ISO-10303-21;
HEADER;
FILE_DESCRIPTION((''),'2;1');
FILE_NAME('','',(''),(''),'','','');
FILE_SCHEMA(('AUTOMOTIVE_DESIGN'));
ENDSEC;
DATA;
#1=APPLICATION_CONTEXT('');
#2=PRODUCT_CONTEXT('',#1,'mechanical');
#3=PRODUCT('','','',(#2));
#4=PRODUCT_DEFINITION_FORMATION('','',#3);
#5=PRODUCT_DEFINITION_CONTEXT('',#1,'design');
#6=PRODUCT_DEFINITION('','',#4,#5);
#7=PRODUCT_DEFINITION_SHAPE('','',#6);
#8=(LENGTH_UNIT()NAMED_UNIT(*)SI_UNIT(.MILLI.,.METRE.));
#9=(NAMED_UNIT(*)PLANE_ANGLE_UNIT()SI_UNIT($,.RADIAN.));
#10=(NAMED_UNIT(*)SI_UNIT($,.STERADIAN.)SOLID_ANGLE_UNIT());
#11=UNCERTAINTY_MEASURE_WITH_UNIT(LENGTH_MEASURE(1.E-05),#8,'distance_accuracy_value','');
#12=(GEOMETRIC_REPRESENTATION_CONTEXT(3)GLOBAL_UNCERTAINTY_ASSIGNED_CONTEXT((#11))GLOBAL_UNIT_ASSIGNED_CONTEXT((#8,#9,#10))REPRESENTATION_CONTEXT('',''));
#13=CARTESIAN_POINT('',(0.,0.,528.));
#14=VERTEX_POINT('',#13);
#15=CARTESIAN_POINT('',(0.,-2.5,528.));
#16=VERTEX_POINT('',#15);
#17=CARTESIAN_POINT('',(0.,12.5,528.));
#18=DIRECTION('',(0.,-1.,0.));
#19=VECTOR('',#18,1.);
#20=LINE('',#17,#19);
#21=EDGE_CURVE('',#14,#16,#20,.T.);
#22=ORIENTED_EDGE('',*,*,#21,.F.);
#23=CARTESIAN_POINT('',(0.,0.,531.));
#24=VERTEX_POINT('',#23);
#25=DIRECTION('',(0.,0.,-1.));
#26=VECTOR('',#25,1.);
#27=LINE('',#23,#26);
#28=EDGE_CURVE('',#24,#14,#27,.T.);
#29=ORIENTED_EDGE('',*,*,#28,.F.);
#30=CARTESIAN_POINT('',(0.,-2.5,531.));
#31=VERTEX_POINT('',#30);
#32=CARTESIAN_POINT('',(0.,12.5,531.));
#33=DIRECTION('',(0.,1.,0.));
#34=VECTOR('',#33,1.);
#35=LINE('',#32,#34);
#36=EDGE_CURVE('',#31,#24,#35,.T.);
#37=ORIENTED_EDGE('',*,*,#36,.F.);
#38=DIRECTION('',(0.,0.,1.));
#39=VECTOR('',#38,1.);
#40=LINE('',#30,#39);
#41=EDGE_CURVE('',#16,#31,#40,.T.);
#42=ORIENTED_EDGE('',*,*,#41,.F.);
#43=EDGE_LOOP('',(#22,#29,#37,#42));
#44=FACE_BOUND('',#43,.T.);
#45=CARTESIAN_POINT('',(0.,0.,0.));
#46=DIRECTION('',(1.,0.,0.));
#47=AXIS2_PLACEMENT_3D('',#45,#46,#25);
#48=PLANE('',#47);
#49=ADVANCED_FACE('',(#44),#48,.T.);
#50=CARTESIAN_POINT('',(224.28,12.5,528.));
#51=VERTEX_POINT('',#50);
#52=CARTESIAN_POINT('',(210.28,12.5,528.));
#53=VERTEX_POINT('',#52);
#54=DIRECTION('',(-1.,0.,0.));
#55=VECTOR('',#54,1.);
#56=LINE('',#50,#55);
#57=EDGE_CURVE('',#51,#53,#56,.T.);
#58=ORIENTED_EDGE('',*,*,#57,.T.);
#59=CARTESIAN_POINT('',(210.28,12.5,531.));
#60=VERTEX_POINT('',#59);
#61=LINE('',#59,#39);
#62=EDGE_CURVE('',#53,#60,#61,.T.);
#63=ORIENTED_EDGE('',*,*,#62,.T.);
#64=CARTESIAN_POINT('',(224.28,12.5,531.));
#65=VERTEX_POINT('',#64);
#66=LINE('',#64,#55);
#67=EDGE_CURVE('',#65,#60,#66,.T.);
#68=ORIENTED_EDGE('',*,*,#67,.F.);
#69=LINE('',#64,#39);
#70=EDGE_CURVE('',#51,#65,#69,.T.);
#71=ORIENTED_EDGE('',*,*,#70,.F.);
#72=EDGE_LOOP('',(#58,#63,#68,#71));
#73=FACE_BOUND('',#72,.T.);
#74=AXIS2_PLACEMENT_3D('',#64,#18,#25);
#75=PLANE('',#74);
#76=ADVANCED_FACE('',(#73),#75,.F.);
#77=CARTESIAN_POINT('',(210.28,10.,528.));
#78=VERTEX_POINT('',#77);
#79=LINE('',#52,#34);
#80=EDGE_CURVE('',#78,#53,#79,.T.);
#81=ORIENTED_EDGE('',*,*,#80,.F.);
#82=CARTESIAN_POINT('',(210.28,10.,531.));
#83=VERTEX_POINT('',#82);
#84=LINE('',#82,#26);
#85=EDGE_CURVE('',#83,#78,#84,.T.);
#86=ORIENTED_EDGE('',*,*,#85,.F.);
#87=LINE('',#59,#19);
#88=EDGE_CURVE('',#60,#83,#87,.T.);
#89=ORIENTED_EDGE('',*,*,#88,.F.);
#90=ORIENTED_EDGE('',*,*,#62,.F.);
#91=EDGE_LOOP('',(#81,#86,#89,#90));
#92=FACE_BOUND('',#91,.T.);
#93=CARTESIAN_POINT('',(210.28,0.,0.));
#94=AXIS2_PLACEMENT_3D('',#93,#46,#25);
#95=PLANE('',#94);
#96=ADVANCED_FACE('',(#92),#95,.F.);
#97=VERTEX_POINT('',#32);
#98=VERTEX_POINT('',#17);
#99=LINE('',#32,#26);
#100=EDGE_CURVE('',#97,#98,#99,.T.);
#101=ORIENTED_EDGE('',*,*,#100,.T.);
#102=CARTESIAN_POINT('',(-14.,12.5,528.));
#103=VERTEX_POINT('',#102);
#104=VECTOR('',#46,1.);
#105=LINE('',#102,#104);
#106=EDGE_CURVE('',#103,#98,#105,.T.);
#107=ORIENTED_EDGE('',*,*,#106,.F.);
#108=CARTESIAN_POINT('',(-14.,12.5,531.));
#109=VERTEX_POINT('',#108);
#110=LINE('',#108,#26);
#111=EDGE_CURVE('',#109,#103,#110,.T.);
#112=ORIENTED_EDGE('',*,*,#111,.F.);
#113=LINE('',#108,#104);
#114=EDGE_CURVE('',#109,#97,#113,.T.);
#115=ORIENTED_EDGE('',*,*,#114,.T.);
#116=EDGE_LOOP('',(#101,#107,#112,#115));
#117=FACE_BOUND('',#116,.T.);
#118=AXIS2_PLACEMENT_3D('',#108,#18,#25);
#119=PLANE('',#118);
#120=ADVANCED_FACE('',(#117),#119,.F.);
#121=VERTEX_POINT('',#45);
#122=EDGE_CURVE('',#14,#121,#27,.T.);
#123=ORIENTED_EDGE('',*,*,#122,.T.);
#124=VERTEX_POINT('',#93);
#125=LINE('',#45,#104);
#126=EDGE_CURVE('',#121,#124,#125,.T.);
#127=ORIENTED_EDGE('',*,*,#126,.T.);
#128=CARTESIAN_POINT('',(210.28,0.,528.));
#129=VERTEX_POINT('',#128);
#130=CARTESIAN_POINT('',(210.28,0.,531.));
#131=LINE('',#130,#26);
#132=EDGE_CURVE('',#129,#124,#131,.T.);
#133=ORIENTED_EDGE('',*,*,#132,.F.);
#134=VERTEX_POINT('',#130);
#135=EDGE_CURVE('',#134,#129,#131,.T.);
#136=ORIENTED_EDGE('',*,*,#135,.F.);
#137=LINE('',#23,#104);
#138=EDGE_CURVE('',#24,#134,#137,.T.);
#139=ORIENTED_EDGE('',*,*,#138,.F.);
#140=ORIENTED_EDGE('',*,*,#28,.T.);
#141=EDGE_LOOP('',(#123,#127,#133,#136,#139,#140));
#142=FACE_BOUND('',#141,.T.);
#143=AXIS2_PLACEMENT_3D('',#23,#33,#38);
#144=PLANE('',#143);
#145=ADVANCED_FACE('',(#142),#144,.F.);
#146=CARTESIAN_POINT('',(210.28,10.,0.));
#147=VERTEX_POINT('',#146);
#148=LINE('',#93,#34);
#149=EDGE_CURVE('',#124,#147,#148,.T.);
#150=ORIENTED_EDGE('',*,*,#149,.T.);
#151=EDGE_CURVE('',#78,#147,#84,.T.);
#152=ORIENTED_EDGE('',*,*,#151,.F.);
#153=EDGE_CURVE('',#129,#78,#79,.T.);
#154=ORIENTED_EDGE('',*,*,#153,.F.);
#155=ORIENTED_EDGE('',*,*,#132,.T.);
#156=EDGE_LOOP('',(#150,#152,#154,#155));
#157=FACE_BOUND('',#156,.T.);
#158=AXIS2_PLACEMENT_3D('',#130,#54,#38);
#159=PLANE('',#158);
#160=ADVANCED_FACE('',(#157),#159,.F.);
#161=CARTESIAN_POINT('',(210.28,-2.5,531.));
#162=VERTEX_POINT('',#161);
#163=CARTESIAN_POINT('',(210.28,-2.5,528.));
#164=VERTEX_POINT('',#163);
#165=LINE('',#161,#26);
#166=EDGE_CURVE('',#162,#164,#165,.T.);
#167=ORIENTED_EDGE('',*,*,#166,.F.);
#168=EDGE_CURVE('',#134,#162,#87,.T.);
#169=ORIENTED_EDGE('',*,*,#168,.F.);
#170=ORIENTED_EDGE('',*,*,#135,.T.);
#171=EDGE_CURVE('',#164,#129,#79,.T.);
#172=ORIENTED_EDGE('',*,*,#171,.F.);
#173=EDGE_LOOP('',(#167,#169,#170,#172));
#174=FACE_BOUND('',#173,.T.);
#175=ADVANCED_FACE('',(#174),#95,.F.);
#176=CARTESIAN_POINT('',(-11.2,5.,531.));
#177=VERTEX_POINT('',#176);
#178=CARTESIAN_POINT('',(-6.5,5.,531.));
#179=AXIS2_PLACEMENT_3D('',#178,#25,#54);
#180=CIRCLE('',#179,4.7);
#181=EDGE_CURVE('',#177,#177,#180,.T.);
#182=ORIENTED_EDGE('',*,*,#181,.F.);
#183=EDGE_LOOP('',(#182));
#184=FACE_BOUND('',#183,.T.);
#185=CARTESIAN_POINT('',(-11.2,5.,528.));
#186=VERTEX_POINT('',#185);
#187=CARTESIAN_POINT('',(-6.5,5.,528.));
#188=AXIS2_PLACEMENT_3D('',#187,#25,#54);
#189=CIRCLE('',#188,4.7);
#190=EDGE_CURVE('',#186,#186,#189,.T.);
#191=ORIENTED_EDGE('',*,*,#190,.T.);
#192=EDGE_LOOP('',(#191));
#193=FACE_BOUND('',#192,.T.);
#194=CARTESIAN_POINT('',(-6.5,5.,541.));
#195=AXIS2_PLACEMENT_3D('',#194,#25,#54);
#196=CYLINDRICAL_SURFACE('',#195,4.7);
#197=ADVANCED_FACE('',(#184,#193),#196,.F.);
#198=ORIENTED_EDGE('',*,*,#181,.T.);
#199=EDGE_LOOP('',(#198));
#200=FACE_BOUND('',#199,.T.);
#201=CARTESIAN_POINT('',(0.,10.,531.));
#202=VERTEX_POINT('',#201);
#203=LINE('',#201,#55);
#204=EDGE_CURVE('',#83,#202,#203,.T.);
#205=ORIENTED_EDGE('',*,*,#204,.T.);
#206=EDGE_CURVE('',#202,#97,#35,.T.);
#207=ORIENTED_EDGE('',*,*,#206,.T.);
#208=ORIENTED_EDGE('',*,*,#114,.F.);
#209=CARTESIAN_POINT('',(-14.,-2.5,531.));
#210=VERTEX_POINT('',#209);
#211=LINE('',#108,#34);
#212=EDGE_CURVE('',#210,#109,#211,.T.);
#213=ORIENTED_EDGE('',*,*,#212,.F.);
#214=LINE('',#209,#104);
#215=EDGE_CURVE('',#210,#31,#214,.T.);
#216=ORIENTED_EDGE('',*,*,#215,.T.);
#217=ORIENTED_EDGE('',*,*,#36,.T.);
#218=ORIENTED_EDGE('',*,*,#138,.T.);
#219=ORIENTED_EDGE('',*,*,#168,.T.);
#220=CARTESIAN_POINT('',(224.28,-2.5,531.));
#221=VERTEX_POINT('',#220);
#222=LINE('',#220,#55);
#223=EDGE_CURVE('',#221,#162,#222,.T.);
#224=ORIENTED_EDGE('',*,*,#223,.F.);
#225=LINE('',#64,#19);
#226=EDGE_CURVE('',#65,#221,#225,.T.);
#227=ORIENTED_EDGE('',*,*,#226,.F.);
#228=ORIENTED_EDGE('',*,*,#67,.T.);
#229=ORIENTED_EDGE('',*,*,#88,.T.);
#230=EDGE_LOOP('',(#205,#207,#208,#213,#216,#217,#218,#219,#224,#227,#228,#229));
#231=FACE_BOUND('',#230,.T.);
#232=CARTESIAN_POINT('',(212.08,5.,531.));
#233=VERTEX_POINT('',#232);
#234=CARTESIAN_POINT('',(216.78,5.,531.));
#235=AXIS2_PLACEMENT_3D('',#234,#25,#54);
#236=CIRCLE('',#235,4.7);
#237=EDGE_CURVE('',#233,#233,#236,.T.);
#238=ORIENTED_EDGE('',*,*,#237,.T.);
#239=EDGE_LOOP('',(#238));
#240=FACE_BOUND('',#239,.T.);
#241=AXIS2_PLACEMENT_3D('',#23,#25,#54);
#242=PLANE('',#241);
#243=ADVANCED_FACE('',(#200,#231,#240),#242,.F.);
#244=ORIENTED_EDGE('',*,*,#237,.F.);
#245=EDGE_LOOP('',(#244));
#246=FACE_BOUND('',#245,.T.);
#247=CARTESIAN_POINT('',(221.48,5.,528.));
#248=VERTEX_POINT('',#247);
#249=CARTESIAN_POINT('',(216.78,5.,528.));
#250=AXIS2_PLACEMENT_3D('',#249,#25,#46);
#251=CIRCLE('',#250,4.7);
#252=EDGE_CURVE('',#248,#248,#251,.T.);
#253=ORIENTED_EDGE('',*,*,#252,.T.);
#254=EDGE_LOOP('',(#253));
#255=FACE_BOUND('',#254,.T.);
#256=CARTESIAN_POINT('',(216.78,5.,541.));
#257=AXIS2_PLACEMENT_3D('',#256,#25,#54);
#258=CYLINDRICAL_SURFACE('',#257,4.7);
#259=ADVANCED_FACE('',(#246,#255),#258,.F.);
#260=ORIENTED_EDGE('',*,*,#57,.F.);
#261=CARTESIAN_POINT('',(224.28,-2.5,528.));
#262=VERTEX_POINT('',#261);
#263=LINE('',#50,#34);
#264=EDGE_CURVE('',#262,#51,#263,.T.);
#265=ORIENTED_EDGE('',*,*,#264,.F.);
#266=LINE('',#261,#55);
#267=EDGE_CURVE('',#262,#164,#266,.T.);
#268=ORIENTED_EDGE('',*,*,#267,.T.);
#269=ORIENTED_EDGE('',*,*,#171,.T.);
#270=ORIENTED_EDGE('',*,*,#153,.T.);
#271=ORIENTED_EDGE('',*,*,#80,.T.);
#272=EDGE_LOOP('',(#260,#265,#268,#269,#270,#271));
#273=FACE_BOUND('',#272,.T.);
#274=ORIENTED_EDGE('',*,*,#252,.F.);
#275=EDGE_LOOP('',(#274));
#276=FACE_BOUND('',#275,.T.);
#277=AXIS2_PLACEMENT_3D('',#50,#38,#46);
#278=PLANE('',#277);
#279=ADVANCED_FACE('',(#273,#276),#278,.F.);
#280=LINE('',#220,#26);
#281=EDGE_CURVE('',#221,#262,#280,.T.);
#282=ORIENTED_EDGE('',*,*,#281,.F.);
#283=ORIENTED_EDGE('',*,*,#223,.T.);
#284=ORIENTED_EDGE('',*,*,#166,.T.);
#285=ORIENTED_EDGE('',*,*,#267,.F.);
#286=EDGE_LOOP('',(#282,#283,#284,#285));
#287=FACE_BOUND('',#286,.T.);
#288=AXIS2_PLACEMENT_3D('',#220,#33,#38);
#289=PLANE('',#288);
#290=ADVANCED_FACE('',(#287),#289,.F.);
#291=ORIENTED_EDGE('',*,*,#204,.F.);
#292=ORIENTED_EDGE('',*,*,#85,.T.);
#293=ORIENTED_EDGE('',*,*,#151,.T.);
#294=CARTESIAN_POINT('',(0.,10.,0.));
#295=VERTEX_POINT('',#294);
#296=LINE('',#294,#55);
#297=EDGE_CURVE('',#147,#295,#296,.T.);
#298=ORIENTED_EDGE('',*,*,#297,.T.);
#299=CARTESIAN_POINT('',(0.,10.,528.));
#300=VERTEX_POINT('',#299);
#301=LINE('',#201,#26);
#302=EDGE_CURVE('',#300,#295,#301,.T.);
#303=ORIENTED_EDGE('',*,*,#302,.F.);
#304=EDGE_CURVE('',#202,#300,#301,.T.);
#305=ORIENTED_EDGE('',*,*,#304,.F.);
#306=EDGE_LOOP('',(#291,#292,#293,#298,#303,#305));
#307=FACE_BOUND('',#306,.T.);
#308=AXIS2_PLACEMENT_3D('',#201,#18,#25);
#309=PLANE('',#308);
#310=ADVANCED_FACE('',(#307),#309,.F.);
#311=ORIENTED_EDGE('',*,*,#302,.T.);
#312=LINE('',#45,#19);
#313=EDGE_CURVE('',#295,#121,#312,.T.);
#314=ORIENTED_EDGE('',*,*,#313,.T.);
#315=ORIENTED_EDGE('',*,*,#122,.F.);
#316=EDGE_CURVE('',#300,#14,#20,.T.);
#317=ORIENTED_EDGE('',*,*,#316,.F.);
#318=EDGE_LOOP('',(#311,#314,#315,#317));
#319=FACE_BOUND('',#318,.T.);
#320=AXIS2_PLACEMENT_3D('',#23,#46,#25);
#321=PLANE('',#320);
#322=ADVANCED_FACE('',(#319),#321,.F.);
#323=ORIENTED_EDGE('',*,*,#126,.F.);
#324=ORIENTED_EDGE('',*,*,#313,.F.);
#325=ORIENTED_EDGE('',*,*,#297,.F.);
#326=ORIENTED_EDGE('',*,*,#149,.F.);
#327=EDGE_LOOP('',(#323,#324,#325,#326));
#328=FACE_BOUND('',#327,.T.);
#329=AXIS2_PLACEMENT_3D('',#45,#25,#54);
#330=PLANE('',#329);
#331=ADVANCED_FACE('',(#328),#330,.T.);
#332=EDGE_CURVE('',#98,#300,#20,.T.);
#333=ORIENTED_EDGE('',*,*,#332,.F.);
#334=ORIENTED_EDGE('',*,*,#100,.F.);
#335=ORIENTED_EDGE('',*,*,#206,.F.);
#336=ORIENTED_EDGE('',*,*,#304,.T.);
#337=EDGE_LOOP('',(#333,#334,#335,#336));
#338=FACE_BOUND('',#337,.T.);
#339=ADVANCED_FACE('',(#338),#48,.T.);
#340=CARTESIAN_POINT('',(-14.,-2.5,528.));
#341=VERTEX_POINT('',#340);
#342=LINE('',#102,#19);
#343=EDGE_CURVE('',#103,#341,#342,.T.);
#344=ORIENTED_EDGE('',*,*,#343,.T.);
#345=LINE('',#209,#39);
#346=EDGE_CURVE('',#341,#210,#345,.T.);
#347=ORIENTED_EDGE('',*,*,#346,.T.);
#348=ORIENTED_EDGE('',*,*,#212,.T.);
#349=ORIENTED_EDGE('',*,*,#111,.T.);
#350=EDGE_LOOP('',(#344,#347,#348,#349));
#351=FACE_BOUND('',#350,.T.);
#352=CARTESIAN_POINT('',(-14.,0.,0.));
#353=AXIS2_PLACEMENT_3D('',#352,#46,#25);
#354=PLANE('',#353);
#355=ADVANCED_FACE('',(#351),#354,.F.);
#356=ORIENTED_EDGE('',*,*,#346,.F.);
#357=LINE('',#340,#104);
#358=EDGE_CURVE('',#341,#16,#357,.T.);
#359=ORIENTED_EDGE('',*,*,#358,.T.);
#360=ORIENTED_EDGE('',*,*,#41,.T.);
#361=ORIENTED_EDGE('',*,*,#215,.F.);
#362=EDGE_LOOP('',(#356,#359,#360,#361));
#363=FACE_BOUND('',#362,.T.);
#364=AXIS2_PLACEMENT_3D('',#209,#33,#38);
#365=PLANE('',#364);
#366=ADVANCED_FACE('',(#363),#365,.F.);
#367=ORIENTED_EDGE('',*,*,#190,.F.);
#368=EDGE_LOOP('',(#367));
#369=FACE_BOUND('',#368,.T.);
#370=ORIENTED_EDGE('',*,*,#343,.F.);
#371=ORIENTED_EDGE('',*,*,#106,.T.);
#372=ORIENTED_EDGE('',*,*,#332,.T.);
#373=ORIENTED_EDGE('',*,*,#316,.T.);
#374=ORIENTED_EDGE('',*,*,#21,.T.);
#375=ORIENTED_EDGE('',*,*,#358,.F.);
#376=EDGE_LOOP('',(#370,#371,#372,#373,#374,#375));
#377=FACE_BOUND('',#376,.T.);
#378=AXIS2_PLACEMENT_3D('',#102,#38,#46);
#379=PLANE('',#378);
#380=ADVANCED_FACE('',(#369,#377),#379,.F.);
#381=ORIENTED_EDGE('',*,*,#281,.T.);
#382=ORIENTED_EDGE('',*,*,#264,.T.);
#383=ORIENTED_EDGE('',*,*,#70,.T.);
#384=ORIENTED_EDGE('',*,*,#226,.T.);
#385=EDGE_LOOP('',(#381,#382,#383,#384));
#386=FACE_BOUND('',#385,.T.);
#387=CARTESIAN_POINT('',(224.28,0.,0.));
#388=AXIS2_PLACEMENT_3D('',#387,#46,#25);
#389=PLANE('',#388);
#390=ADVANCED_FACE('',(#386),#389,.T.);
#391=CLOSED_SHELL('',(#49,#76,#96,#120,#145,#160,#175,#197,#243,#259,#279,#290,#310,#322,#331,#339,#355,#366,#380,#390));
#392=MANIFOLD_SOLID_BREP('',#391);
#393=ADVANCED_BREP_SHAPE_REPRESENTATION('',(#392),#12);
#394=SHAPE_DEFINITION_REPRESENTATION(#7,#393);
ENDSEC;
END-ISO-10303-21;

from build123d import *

# Parameters (mm, degrees)
SKETCH1_W           = 210.28
SKETCH1_H           = 10
BOSS_EXTRUDE1_DEPTH = 531
SKETCH2_W           = 3
SKETCH2_H           = 15
BOSS_EXTRUDE2_DEPTH = 14
SKETCH4_W           = 3
SKETCH4_H           = 15
BOSS_EXTRUDE3_DEPTH = 14
SKETCH3_R           = 4.7
CUT_EXTRUDE1_DEPTH  = 13


with BuildPart() as part:
    # Sketch1 → Boss-Extrude1 (new body)
    with BuildSketch(Plane.XY):
        with Locations((105.14, 5)):
            Rectangle(SKETCH1_W, SKETCH1_H)
    extrude(amount=BOSS_EXTRUDE1_DEPTH)

    # Sketch2 → Boss-Extrude2 (add)
    with BuildSketch(Plane.ZY):
        with Locations((529.5, 5)):
            Rectangle(SKETCH2_W, SKETCH2_H)
    extrude(amount=BOSS_EXTRUDE2_DEPTH)

    # Sketch4 → Boss-Extrude3 (add)
    with BuildSketch(Plane(origin=(210.28, 0, 0), x_dir=(0, 0, -1), z_dir=(1, 0, 0))):
        with Locations((-529.5, 5)):
            Rectangle(SKETCH4_W, SKETCH4_H)
    extrude(amount=BOSS_EXTRUDE3_DEPTH)

    # Sketch3 → Cut-Extrude1 (cut)
    with BuildSketch(Plane(origin=(0, 0, 528), x_dir=(-1, 0, 0), z_dir=(0, 0, -1))):
        with Locations((6.5, 5)):
            Circle(SKETCH3_R)
        with Locations((-216.78, 5)):
            Circle(SKETCH3_R)
    extrude(amount=-CUT_EXTRUDE1_DEPTH, mode=Mode.SUBTRACT)


solid = part.part
